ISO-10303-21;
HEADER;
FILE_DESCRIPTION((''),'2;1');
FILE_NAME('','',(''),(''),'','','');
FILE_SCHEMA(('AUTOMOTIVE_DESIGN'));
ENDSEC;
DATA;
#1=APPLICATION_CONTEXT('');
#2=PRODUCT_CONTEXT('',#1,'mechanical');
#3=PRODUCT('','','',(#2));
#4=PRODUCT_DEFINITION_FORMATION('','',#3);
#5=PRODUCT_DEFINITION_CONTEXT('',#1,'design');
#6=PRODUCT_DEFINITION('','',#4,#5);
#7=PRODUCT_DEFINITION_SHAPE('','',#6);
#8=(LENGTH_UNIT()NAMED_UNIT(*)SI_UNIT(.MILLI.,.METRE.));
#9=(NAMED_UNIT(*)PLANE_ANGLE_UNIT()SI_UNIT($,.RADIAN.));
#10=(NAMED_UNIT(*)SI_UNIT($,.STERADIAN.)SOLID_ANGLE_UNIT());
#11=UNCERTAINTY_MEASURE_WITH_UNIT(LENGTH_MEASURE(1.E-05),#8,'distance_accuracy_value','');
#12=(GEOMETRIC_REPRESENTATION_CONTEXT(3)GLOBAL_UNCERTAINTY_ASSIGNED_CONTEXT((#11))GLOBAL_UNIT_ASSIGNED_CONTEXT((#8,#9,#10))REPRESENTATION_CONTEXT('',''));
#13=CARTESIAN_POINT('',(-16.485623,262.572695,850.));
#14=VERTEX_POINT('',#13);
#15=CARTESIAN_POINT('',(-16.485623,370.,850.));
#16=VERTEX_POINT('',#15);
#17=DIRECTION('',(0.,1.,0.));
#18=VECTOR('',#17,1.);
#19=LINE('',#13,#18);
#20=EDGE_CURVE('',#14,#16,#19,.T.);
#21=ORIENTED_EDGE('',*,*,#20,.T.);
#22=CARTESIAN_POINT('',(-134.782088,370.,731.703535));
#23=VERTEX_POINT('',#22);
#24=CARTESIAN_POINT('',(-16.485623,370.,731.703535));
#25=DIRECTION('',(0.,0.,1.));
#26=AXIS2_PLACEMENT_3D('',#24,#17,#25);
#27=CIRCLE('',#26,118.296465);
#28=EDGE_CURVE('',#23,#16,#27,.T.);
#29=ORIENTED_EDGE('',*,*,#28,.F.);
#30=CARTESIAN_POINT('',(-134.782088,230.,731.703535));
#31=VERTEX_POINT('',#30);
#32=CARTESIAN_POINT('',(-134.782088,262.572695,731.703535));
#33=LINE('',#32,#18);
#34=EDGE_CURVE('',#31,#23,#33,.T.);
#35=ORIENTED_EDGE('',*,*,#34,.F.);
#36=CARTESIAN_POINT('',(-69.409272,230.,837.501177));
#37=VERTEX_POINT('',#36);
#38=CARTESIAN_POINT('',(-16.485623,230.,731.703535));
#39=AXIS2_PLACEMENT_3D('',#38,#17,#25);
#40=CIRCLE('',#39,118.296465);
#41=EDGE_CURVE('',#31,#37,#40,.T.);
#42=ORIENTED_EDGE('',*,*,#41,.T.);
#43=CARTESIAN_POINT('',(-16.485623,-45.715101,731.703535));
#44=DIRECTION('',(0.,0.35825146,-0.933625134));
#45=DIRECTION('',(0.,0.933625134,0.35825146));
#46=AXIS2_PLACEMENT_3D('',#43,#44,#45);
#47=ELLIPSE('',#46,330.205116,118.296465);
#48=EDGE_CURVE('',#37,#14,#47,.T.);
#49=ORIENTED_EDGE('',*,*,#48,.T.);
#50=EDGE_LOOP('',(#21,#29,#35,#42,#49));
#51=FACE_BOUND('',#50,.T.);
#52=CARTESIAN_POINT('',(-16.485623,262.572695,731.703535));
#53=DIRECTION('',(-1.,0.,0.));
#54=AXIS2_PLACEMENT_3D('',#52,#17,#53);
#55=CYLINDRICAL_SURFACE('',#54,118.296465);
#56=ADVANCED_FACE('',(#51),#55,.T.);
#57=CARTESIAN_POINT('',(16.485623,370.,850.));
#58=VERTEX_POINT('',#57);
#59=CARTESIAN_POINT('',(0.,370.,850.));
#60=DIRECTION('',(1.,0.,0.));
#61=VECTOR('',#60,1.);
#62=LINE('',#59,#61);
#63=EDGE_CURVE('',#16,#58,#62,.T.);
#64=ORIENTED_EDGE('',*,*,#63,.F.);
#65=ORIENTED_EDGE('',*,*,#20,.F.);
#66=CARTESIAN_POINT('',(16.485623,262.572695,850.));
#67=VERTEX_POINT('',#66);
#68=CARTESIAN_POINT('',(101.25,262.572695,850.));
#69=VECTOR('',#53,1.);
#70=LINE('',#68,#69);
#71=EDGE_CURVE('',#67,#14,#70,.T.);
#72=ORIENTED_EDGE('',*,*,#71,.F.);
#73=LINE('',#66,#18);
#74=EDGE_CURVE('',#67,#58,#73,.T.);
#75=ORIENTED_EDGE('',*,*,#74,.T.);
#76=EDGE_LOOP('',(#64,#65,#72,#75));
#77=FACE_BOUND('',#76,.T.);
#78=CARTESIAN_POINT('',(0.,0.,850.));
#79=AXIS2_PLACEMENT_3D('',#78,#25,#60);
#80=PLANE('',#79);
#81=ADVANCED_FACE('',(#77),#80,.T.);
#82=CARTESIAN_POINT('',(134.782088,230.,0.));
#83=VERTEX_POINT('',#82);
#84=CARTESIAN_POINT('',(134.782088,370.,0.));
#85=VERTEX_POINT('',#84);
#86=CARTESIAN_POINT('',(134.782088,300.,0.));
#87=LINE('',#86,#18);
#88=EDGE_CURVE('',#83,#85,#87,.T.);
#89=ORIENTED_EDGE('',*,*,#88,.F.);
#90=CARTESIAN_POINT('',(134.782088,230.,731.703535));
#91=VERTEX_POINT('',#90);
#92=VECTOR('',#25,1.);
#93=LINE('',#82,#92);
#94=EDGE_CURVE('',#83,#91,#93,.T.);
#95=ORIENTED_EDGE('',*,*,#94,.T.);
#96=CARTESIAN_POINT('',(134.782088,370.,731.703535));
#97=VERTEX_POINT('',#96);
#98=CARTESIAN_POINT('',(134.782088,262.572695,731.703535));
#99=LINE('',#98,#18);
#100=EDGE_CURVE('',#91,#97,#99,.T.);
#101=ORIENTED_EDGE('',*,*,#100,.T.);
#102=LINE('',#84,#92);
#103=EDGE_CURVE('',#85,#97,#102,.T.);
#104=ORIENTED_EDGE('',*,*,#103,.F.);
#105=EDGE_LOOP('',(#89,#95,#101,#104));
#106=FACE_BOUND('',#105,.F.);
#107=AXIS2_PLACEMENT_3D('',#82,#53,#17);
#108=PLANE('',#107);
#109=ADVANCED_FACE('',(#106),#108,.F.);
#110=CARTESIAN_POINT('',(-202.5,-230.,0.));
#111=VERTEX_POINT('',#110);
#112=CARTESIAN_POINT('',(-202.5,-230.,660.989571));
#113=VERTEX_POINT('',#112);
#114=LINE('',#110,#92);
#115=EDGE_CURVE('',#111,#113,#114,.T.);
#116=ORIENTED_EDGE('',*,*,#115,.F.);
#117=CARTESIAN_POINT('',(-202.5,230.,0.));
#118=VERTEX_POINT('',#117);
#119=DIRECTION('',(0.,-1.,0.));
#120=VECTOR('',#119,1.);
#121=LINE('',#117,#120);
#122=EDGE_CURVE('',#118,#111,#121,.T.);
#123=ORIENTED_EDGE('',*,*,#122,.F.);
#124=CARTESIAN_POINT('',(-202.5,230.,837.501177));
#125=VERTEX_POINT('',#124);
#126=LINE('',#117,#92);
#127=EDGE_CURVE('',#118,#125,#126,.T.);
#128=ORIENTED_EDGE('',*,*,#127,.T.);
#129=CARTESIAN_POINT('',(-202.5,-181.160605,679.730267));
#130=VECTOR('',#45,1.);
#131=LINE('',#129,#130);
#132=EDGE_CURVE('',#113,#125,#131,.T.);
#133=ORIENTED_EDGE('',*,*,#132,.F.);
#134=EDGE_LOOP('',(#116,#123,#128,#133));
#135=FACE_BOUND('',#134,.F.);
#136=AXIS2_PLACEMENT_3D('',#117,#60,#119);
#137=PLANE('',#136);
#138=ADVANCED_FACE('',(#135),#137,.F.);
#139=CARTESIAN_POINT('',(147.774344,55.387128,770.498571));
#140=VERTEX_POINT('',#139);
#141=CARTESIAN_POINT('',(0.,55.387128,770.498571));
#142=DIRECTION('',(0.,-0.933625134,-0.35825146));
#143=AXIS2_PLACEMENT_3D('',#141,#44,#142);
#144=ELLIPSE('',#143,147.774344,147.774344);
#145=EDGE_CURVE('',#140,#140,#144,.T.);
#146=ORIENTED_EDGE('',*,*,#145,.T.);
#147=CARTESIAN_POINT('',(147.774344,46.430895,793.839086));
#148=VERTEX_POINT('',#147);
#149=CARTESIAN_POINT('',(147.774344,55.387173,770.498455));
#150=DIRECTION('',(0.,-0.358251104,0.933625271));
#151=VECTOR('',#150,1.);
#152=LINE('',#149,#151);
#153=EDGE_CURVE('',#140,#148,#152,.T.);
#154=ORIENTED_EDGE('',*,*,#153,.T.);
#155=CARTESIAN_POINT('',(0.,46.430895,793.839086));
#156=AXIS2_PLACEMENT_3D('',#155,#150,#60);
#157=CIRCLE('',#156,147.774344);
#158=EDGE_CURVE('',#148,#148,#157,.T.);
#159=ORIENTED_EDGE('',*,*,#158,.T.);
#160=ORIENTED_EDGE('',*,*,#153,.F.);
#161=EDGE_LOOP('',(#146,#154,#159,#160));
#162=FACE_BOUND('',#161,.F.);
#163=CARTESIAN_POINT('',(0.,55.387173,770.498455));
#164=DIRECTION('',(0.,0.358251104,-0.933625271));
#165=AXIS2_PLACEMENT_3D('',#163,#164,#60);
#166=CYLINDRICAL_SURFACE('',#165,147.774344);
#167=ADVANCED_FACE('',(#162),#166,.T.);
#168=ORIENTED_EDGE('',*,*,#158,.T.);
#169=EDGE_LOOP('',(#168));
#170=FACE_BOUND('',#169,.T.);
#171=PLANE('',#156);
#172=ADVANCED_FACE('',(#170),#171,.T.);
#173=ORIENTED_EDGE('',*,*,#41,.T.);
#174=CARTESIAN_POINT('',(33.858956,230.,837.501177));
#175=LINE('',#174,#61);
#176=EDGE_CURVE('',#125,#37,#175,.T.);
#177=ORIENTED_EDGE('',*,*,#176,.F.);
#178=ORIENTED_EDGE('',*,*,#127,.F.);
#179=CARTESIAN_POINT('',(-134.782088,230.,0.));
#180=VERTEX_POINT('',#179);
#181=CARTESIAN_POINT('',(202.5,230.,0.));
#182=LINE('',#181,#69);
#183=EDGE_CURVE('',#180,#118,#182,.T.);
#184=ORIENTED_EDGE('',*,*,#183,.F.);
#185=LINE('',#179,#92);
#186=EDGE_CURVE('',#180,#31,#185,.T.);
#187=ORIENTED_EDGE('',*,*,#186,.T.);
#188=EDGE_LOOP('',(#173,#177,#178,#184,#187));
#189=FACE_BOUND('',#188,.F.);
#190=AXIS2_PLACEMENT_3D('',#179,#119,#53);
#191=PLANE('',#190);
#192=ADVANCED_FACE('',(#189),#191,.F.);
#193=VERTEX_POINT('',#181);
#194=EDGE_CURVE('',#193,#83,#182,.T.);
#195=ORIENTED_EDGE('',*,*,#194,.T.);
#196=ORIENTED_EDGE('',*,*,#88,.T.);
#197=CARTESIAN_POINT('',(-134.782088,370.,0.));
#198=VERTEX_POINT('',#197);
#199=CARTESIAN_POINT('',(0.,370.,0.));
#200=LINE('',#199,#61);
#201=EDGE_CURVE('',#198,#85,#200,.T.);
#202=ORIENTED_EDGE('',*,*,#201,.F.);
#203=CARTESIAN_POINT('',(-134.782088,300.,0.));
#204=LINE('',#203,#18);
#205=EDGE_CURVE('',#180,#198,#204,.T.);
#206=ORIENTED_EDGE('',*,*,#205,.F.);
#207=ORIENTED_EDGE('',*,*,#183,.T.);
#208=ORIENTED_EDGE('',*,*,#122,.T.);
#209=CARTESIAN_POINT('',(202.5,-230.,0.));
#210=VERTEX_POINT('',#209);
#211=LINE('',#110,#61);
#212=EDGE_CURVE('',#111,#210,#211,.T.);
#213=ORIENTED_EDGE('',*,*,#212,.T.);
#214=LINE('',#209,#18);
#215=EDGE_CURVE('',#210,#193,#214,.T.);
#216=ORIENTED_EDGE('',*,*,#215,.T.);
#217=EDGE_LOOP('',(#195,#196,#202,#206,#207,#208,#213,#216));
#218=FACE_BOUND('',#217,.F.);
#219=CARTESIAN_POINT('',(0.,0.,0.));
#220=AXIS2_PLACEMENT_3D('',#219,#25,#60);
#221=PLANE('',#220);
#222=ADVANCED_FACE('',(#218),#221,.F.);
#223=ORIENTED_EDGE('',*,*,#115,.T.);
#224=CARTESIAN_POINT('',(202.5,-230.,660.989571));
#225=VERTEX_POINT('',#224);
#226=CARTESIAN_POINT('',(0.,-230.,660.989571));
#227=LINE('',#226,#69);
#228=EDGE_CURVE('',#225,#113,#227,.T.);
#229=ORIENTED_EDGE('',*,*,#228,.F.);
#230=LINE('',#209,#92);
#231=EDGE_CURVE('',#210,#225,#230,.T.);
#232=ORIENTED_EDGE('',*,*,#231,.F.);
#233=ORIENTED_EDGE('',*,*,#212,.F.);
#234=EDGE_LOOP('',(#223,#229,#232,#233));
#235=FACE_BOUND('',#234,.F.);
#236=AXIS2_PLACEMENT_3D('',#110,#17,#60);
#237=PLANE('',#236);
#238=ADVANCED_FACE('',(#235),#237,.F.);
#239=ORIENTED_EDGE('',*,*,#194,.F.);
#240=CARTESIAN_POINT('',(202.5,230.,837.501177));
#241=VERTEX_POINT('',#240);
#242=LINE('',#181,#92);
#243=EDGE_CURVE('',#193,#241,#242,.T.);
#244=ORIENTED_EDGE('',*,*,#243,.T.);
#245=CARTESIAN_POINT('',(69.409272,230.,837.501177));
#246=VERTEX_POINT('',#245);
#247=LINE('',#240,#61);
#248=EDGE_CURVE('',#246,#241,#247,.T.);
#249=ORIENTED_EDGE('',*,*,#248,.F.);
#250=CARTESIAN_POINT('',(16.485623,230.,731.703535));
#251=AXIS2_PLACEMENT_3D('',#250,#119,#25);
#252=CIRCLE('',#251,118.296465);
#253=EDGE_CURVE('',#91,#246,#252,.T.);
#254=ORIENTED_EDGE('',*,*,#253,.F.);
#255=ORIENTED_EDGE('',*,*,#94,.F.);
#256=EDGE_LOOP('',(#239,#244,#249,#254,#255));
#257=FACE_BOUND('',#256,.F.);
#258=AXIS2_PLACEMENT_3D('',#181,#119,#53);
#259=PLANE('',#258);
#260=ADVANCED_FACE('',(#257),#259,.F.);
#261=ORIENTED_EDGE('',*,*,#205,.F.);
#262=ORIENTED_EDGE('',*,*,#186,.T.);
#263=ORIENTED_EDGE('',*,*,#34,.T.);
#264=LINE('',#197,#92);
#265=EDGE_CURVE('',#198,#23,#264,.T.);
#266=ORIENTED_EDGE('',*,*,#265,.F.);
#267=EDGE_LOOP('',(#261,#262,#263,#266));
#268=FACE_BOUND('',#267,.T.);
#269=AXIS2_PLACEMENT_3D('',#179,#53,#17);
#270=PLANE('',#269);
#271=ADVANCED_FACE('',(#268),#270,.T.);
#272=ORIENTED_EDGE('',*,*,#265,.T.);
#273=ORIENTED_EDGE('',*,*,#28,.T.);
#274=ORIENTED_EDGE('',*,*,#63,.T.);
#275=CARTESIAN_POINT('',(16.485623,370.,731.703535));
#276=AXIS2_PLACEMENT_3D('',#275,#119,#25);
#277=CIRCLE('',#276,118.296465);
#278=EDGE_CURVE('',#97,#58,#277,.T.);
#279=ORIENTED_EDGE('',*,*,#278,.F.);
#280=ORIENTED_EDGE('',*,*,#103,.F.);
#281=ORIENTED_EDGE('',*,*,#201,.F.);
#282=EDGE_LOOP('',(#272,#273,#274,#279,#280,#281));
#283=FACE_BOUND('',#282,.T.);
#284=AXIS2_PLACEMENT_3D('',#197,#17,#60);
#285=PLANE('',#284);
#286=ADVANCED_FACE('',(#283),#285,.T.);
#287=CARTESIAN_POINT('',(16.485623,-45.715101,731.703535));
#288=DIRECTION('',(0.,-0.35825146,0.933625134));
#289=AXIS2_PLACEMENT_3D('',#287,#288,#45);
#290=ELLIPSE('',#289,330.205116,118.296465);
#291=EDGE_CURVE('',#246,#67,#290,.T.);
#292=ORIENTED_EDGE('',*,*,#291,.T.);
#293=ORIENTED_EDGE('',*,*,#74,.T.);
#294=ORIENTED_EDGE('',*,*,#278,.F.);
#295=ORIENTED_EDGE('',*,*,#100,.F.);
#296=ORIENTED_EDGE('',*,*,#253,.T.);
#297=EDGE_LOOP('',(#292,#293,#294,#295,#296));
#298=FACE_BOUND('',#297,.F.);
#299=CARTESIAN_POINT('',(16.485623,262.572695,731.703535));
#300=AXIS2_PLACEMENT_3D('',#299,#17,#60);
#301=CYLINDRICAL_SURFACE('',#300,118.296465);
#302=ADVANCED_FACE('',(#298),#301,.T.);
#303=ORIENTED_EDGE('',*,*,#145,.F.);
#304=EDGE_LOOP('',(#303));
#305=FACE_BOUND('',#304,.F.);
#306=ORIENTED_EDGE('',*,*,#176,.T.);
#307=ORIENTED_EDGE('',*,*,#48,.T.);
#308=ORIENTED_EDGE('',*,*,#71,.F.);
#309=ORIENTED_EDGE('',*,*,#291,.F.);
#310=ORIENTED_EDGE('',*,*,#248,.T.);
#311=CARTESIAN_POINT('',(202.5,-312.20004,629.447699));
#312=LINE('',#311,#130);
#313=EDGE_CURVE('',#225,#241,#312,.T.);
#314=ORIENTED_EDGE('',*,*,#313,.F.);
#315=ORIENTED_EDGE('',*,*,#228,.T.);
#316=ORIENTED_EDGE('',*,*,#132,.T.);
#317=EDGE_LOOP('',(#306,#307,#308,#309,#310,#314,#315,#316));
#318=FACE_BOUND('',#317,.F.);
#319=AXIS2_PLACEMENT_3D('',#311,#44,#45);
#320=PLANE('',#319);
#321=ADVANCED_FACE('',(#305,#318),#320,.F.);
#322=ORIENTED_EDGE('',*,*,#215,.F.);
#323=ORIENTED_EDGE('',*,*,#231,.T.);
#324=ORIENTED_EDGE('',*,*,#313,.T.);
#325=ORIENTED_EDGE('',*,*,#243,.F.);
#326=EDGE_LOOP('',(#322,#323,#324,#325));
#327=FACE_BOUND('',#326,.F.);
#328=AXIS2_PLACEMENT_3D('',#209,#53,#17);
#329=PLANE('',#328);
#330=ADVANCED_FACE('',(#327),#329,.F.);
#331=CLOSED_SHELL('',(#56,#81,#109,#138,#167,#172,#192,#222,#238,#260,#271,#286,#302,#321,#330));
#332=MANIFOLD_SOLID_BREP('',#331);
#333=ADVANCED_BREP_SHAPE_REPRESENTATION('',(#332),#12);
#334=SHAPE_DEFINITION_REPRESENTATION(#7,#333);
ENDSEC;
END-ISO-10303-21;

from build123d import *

# Parameters (mm, degrees)
F0_W     = 269.564176
F0_H     = 140
F1_DEPTH = 850
F3_DEPTH = 405.001
F4_R     = 118.296465
F5_R     = 147.774344
F6_DEPTH = 25


with BuildPart() as f1:
    # F0 (on Top) → F1 (new body)
    with BuildSketch(Plane.XY):
        Polygon((202.5, -230), (202.5, 230), (134.782088, 230), (-134.782088, 230), (-202.5, 230), (-202.5, -230), align=None)
        with Locations((0, 300)):
            Rectangle(F0_W, F0_H)
    extrude(amount=F1_DEPTH)

    # F2 (on face) → F3 (cut, through all)
    with BuildSketch(Plane.YZ.offset(202.5)):
        Polygon((-312.20004, 629.447699), (364.741862, 889.204443), (-312.20004, 956.11155), align=None)
    extrude(amount=-F3_DEPTH, mode=Mode.SUBTRACT)

    # F4
    f4_edges = [f1.edges().sort_by_distance(p)[0] for p in [
        (134.782088, 316.286348, 850),
        (-134.782088, 316.286348, 850),
    ]]
    fillet(f4_edges, radius=F4_R)

    # F5 (on face) → F6 (join)
    with BuildSketch(Plane(origin=(0, -250.602024, 653.084144), x_dir=(1, 0, 0), z_dir=(0, -0.358251, 0.933625))):
        with Locations((0, 327.743053)):
            Circle(F5_R)
    extrude(amount=F6_DEPTH)


solid = f1.part
